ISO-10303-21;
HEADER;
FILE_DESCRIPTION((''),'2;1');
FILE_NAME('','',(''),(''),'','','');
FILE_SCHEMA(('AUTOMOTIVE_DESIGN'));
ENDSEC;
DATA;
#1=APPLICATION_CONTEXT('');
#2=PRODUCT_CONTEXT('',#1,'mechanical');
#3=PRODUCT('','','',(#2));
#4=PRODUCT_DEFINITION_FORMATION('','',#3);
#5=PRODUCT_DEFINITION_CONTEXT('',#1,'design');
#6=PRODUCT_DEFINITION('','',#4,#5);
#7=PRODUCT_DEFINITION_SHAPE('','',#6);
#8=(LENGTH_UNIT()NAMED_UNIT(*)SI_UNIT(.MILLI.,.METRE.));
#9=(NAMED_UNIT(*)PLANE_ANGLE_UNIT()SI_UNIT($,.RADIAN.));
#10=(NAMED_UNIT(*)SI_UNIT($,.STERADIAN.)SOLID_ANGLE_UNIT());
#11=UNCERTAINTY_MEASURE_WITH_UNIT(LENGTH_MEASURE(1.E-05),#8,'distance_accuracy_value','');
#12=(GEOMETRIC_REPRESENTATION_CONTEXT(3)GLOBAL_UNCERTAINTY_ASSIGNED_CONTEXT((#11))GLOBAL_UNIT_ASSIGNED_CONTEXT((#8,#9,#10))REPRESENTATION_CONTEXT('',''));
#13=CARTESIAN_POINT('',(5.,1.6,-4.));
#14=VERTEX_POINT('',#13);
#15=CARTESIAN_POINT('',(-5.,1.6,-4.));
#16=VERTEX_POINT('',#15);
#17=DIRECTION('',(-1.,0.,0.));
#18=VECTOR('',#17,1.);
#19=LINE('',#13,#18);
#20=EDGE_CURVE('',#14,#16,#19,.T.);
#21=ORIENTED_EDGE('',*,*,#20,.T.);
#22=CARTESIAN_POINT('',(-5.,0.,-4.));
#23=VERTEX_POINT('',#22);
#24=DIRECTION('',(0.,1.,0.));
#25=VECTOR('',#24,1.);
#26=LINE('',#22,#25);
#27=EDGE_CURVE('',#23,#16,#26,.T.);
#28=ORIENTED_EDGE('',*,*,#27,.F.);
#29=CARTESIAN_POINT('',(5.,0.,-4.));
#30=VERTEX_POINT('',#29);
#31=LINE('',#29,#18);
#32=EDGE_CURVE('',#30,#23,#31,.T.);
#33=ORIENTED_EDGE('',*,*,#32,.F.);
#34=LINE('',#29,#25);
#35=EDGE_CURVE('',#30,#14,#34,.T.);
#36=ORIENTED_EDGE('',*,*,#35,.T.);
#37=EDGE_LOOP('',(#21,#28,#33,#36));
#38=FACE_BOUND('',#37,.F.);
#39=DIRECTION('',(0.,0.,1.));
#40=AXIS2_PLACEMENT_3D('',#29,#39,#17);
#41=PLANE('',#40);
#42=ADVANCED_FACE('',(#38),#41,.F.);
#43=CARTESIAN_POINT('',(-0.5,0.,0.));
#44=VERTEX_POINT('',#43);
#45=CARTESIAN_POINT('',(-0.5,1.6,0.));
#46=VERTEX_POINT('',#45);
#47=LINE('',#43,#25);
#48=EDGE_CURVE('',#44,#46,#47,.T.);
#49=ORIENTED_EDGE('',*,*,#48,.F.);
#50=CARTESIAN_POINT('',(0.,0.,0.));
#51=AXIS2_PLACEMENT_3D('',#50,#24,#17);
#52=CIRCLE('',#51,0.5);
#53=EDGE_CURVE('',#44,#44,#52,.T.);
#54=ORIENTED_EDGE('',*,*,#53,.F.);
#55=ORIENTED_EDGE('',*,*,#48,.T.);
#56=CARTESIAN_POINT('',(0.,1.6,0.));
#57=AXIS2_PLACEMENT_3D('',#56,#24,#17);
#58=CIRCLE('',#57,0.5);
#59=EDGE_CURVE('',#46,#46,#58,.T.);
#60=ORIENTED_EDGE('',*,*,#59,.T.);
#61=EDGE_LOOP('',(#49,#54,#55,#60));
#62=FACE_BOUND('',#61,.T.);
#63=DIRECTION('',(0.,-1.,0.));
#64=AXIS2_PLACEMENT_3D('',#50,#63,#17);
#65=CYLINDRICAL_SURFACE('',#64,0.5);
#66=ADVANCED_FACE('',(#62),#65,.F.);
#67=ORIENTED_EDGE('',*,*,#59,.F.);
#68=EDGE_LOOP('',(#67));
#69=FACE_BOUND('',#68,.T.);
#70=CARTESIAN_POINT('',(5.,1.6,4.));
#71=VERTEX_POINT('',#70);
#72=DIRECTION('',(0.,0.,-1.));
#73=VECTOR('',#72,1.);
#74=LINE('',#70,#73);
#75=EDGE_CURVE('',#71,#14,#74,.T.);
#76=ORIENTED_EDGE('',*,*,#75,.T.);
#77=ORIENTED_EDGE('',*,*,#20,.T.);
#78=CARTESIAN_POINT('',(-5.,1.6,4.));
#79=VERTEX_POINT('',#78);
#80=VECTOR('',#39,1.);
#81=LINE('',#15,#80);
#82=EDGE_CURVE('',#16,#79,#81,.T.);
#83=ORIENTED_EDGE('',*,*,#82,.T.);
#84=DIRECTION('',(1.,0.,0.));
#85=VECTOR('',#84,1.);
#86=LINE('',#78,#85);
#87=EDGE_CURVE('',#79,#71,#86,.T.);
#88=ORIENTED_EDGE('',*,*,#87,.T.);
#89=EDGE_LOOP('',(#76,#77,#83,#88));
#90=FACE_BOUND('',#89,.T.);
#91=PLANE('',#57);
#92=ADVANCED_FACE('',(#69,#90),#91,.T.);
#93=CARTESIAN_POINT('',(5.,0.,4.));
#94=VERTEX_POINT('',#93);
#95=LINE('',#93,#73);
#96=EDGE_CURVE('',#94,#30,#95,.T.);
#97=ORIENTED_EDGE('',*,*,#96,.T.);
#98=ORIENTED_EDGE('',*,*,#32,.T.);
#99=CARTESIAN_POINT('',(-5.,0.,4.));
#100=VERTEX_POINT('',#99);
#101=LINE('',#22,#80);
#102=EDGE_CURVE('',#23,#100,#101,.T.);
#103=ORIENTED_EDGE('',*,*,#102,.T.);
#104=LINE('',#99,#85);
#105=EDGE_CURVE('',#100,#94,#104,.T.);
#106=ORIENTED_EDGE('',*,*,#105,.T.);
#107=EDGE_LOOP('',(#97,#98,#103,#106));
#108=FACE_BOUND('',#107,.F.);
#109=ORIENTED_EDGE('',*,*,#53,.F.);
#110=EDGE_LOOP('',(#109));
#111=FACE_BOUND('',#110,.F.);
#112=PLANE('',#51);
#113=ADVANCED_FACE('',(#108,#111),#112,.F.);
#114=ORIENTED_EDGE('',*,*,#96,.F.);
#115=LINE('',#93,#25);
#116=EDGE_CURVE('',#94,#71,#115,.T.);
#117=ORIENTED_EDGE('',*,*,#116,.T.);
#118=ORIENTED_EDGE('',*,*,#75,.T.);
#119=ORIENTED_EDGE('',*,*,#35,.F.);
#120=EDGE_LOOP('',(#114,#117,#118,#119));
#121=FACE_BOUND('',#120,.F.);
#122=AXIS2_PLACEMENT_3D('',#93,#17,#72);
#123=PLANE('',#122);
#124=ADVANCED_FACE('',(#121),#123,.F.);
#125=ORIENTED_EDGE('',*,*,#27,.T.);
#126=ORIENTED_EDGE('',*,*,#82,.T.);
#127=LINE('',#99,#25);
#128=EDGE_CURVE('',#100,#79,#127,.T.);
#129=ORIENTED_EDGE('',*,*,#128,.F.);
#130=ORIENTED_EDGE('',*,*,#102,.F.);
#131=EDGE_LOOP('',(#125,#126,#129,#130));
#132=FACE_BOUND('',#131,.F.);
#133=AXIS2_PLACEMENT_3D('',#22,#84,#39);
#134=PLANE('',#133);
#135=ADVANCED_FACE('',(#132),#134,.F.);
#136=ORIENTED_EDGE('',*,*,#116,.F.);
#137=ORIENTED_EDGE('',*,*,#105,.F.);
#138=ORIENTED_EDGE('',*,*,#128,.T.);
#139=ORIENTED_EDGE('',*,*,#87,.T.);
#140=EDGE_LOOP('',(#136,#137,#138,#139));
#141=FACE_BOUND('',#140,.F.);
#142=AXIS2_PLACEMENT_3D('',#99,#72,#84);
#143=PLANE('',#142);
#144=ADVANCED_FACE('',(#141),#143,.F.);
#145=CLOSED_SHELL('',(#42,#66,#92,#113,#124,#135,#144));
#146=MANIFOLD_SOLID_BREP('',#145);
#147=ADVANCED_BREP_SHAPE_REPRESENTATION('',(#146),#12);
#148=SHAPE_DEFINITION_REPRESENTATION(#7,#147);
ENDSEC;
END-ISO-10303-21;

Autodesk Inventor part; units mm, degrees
ref_plane "YZ Plane" through (0, 0, 0) normal (1, 0, 0) x (0, 1, 0)
ref_plane "XZ Plane" through (0, 0, 0) normal (0, 1, 0) x (-1, 0, 0)
ref_plane "XY Plane" through (0, 0, 0) normal (0, 0, 1) x (1, 0, 0)
sketch "Sketch1" plane through (0, 0, 0) normal (0, 1, 0) x (-1, 0, 0)
  line L0 (5, 4) -> (-5, 4)
  line L1 (-5, 4) -> (-5, -4)
  line L2 (-5, -4) -> (5, -4)
  line L3 (5, -4) -> (5, 4)
  circle A0 centre (0, 0) radius 0.5
  point P0 (5, 0)
  point P1 (0, -4)
  dimension "d0" = 1
  dimension "d1" = 8
  dimension "d2" = 10
extrude "Extrusion1" add sketch "Sketch1" along normal blind 1.6
properties part number "pinhole"
